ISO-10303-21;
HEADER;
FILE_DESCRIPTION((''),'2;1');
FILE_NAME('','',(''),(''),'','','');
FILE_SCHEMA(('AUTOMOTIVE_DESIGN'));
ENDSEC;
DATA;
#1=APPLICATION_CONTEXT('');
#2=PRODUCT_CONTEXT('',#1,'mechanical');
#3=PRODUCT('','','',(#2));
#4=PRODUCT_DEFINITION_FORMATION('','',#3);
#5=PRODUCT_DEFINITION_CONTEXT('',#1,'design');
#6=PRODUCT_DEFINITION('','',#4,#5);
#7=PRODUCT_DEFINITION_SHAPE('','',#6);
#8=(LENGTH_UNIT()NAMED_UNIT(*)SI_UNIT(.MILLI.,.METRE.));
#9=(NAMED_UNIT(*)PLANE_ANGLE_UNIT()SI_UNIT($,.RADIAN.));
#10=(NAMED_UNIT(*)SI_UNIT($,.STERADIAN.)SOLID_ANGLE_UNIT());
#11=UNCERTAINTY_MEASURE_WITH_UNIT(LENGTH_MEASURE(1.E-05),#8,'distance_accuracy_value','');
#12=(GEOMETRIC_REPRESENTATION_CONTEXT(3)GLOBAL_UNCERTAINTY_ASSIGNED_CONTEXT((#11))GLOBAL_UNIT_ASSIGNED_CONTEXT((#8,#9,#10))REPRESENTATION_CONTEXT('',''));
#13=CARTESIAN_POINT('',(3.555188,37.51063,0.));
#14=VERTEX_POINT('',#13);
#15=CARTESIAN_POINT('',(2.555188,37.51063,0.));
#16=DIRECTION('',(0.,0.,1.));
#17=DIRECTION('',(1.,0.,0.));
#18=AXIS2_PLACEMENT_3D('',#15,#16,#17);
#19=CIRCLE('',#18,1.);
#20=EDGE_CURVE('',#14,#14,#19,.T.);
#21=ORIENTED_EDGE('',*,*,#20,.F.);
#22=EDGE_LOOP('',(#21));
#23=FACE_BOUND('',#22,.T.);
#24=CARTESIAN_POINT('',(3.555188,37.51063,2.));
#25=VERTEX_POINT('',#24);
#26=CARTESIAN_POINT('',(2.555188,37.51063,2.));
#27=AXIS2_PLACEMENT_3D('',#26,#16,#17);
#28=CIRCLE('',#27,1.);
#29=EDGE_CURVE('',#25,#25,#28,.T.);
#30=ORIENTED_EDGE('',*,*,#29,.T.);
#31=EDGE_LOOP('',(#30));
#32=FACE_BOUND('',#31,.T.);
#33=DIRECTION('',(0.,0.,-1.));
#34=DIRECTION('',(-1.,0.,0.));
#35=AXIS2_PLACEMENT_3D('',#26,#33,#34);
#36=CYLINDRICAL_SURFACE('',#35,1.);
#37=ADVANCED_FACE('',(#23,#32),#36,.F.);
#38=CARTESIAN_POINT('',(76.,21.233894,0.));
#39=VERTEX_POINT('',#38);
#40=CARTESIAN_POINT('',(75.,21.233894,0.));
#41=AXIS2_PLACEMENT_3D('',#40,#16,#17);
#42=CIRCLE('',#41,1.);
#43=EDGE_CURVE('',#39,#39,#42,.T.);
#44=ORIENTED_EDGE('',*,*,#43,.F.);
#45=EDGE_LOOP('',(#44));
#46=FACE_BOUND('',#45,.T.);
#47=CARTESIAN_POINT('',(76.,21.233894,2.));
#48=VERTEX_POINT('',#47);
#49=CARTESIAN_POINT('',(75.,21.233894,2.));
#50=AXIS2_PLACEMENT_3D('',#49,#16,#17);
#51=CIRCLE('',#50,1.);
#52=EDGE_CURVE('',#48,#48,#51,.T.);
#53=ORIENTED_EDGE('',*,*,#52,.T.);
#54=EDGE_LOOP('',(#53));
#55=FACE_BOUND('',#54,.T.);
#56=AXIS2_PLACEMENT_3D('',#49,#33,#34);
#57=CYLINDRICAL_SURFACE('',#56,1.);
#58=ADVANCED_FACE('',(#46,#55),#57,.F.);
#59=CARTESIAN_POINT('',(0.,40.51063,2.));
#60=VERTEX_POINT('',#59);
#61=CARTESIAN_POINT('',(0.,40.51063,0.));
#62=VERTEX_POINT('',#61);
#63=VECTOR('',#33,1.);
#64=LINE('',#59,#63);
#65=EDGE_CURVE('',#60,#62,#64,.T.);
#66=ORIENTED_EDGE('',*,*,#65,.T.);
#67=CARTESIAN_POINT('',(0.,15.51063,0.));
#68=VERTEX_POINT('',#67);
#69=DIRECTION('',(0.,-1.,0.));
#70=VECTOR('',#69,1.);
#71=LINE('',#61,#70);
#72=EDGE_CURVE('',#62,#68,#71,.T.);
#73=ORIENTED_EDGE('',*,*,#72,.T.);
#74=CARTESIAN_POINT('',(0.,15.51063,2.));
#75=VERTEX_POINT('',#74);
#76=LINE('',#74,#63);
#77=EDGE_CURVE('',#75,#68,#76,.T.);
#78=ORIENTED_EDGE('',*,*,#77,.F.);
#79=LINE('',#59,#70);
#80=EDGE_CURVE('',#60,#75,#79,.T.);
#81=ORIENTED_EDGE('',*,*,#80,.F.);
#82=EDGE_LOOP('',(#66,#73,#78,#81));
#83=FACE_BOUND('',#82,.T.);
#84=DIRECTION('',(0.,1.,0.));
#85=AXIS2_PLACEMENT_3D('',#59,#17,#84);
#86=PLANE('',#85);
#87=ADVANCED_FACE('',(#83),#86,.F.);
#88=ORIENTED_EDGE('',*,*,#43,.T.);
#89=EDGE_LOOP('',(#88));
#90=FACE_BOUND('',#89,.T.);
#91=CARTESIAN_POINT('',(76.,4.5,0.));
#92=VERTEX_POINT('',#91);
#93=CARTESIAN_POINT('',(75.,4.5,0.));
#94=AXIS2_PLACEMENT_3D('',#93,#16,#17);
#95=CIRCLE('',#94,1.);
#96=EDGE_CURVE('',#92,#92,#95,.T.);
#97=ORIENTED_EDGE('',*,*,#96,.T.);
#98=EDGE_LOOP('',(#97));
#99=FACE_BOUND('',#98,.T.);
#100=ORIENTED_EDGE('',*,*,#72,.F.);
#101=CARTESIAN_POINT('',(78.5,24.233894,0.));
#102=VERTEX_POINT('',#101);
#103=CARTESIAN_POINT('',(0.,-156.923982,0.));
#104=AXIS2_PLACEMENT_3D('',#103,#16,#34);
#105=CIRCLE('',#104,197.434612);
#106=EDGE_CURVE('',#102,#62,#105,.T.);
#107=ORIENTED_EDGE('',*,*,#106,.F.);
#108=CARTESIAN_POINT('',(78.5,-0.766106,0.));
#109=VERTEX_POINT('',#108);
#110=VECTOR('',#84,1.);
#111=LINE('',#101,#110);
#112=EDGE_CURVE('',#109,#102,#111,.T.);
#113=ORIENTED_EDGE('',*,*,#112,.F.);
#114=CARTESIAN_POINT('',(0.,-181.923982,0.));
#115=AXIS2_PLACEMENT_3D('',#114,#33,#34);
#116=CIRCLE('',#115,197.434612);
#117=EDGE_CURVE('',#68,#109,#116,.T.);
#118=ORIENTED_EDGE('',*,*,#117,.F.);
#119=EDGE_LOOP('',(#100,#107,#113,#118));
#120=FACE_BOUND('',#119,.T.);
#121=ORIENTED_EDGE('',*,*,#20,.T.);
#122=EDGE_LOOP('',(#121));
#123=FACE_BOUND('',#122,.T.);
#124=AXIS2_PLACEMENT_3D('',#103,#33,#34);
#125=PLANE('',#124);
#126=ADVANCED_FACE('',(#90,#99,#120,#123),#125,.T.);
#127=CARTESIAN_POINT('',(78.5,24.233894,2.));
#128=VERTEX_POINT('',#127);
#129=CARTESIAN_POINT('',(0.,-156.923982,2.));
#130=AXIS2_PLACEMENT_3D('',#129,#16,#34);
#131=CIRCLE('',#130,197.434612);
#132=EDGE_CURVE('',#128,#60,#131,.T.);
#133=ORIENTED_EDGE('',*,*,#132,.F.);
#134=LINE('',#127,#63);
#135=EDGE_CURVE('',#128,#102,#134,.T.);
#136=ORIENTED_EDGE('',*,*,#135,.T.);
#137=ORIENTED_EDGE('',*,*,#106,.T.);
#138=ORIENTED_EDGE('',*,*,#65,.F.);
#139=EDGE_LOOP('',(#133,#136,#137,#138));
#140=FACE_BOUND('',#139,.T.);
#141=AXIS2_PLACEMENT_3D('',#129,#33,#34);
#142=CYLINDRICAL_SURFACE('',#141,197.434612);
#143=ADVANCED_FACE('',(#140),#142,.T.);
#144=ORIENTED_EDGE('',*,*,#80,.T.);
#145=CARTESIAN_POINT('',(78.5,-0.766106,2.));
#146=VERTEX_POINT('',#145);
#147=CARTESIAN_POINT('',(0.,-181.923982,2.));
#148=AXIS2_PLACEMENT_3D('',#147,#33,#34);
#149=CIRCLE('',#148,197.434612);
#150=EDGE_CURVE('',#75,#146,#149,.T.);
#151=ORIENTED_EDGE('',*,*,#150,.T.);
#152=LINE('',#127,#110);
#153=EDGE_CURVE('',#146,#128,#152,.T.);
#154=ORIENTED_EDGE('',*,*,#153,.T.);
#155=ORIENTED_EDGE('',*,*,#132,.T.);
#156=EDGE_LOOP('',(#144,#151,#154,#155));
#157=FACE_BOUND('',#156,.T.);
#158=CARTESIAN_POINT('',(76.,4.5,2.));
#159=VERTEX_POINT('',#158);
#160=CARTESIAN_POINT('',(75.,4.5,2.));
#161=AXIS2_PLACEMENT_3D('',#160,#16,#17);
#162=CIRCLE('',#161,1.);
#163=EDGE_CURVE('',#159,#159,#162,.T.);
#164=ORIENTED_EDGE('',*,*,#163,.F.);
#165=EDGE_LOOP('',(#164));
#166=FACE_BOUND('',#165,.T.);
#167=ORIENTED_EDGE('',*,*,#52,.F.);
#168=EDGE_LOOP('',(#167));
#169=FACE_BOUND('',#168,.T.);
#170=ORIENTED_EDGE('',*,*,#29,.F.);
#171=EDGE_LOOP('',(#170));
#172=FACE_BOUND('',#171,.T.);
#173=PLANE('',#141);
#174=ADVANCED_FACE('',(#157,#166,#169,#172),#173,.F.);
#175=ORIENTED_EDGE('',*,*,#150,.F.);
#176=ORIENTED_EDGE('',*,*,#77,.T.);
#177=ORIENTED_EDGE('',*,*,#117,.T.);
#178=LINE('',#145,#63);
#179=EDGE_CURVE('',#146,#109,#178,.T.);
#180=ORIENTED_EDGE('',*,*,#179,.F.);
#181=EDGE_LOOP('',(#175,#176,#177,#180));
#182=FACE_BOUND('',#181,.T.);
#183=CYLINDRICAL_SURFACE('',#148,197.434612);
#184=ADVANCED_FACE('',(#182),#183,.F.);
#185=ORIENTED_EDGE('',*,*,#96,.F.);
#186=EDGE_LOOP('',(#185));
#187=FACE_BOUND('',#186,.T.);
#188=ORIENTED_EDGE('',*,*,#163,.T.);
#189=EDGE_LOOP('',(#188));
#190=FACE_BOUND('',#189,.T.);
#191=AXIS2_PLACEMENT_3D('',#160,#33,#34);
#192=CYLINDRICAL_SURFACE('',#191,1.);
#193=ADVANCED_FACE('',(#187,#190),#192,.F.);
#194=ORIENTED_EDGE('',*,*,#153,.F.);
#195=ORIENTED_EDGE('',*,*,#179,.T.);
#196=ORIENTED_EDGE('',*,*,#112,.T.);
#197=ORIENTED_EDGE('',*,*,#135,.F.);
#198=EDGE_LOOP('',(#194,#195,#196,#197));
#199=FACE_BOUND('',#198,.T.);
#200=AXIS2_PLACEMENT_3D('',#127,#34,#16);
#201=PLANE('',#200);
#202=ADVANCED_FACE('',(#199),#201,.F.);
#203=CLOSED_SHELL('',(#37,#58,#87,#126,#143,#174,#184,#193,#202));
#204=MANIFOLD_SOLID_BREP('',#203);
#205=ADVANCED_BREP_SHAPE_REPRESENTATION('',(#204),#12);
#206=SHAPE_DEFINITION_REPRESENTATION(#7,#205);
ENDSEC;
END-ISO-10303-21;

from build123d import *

# Parameters (mm, degrees)
SKETCH1_R           = 1
BOSS_EXTRUDE1_DEPTH = 2


with BuildPart() as part:
    # Sketch1 → Boss-Extrude1 (new body)
    with BuildSketch(Plane.XY):
        with BuildLine():
            Line((78.5, 24.233893723), (78.5, -0.766106277))
            ThreePointArc((78.5, -0.766106277), (40.084854178, 11.398625081), (0, 15.510629822))
            Line((0, 15.510629822), (0, 40.510629822))
            ThreePointArc((0, 40.510629822), (40.084854178, 36.398625081), (78.5, 24.233893723))
        make_face()
        with Locations((2.555188089, 37.510629822)):
            Circle(SKETCH1_R, mode=Mode.SUBTRACT)
        with Locations((75, 21.233893723)):
            Circle(SKETCH1_R, mode=Mode.SUBTRACT)
        with Locations((75, 4.5)):
            Circle(SKETCH1_R, mode=Mode.SUBTRACT)
    extrude(amount=BOSS_EXTRUDE1_DEPTH)


solid = part.part
